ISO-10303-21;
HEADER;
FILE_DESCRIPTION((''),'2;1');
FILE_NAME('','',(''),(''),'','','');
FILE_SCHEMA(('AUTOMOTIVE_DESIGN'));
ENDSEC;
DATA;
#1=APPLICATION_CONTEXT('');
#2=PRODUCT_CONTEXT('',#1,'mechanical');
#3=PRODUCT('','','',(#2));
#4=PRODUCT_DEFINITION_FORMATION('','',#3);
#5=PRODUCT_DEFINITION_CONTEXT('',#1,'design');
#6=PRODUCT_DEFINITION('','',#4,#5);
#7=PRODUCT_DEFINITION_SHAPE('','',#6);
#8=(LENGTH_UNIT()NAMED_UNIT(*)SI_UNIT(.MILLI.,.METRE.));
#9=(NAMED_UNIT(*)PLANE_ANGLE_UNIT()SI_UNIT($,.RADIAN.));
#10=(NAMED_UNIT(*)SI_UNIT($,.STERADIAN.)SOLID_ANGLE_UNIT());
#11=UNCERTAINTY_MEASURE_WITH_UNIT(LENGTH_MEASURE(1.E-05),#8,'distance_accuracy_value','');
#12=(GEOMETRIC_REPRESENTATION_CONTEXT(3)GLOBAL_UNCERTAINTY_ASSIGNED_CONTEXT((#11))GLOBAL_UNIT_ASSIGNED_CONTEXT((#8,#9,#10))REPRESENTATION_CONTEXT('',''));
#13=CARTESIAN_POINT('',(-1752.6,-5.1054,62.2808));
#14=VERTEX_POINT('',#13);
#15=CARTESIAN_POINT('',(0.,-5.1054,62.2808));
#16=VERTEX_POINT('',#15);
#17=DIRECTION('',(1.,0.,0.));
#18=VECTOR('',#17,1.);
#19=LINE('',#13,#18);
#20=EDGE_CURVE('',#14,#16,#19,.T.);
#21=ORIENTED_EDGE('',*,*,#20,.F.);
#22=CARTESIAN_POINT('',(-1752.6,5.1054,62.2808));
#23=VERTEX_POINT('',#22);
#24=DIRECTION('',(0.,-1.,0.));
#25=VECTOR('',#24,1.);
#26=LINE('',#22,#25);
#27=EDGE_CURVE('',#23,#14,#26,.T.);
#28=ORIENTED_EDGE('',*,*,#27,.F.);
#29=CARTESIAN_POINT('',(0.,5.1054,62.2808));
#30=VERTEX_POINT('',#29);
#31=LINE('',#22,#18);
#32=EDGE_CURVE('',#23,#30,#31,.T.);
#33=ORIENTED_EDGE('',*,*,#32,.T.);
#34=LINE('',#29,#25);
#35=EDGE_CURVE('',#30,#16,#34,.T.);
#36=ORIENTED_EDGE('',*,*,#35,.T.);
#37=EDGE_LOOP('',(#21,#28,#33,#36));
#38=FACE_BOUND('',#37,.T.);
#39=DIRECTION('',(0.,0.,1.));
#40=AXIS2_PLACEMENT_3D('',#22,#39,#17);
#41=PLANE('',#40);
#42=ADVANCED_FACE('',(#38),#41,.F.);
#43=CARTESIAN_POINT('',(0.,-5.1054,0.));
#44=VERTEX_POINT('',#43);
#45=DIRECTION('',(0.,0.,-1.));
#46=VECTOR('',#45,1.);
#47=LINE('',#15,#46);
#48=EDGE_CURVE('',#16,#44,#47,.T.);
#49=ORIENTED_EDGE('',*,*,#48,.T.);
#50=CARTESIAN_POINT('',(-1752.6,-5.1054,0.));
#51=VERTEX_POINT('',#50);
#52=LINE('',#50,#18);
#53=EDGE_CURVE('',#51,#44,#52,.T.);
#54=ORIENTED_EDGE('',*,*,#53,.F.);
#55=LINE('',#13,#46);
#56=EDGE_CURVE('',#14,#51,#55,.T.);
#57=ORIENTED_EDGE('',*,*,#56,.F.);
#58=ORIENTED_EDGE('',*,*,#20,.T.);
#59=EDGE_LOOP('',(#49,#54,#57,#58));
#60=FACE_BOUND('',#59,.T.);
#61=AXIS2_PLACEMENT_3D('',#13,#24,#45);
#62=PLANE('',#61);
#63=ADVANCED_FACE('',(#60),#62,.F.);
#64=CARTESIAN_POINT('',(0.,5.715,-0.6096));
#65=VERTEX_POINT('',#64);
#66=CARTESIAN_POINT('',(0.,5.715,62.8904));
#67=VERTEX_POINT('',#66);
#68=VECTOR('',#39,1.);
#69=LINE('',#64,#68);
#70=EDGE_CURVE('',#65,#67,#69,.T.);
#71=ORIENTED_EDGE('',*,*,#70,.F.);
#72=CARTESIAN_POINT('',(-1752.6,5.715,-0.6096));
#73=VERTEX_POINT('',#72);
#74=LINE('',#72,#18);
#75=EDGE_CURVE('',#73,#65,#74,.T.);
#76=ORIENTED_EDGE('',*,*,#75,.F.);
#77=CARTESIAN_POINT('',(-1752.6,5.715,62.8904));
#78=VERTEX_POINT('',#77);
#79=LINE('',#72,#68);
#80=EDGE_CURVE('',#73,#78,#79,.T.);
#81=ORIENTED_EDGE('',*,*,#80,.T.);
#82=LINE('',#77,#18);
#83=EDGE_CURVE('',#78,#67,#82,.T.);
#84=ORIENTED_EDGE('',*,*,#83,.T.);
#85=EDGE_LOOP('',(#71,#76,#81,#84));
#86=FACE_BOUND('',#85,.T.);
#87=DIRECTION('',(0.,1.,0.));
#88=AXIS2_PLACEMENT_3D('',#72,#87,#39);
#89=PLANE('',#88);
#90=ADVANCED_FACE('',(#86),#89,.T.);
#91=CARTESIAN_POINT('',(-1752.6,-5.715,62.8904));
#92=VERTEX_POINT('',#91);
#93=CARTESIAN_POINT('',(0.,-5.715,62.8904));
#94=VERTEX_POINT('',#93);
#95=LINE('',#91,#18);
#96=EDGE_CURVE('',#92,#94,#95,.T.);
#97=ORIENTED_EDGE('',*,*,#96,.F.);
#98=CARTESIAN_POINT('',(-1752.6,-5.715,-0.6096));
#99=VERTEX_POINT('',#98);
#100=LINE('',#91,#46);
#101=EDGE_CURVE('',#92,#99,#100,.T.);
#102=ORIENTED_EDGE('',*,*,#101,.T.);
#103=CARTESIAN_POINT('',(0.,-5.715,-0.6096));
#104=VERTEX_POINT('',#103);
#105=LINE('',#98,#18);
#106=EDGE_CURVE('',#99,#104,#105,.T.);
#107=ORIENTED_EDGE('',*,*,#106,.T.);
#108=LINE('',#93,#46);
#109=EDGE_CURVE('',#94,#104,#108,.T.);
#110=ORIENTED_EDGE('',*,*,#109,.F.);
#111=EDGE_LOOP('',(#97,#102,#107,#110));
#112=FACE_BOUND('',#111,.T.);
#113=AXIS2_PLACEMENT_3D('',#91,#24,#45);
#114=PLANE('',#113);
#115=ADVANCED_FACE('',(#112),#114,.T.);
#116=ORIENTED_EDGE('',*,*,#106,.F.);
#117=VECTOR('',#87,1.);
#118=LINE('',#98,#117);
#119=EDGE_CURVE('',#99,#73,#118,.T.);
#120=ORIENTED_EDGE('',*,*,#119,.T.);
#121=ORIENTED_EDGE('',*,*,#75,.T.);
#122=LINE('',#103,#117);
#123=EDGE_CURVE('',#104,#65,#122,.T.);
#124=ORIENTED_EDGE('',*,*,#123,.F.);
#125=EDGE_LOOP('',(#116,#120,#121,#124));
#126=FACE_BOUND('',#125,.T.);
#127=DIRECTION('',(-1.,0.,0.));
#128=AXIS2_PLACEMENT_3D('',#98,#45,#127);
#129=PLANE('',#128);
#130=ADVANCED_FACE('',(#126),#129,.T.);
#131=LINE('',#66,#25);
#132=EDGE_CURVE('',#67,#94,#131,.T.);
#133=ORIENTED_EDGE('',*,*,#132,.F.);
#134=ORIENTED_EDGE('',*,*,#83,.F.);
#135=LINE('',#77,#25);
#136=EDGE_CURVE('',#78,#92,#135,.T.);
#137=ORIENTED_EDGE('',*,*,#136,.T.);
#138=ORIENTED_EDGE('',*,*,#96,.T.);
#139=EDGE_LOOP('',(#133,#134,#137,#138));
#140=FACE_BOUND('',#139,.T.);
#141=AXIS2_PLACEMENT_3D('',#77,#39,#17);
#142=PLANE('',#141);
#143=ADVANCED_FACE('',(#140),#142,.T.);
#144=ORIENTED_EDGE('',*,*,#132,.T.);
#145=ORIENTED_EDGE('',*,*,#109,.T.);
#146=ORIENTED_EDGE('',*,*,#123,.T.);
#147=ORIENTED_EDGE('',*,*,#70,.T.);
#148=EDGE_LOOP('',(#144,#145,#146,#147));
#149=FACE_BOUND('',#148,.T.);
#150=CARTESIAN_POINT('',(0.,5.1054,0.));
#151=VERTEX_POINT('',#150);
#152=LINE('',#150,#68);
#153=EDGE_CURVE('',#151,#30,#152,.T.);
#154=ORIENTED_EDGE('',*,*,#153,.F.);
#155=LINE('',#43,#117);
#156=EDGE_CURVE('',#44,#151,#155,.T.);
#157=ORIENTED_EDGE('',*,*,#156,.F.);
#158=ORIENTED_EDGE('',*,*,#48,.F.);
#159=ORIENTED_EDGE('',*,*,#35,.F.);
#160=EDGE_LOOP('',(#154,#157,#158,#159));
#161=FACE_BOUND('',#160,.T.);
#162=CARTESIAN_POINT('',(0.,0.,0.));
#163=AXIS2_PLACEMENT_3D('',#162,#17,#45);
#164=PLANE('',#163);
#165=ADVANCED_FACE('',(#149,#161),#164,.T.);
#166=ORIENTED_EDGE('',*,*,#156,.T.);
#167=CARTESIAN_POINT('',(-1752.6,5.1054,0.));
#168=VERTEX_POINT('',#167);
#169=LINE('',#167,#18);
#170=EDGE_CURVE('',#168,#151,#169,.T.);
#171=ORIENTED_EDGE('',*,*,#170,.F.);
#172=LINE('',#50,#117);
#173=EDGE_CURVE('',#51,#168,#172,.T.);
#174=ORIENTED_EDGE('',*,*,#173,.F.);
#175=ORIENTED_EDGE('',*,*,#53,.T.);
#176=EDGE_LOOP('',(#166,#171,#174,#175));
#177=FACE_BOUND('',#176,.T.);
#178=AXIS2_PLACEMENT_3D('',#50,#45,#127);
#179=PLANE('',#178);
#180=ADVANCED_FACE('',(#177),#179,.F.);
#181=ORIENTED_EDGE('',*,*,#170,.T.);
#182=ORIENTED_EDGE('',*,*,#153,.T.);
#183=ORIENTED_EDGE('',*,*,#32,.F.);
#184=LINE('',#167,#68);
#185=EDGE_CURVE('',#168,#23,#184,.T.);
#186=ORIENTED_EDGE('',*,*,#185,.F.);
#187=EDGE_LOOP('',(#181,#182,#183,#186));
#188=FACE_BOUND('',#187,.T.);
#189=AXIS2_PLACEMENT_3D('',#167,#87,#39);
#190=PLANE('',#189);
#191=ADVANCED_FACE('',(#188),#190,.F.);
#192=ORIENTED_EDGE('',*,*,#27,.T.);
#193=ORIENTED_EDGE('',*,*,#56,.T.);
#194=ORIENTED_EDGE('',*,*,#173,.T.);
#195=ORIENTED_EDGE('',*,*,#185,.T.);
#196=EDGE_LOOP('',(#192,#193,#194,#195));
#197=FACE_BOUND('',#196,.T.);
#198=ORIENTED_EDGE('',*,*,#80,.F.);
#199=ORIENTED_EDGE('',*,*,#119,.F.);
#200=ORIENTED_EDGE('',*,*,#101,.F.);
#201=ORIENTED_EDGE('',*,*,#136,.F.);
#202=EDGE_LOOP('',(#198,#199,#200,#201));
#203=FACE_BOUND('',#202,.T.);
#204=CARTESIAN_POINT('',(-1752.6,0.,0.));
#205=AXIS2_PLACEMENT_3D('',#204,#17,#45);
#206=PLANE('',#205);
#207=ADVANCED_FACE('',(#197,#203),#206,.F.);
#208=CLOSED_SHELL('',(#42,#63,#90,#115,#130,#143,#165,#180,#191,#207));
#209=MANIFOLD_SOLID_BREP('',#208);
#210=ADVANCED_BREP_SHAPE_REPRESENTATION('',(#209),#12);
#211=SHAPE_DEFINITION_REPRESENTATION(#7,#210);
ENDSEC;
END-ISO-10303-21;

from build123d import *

# Parameters (mm, degrees)
SKETCH2_W           = 63.5
SKETCH2_H           = 11.43
SKETCH2_W_2         = 62.2808
SKETCH2_H_2         = 10.2108
BOSS_EXTRUDE1_DEPTH = 1752.6


with BuildPart() as part:
    # Sketch2 → Boss-Extrude1 (new body)
    with BuildSketch(Plane(origin=(0, 0, 0), x_dir=(0, 0, -1), z_dir=(1, 0, 0))):
        with Locations((-31.1404, 0)):
            Rectangle(SKETCH2_W, SKETCH2_H)
        with Locations((-31.1404, 0)):
            Rectangle(SKETCH2_W_2, SKETCH2_H_2, mode=Mode.SUBTRACT)
    extrude(amount=-BOSS_EXTRUDE1_DEPTH)


solid = part.part
